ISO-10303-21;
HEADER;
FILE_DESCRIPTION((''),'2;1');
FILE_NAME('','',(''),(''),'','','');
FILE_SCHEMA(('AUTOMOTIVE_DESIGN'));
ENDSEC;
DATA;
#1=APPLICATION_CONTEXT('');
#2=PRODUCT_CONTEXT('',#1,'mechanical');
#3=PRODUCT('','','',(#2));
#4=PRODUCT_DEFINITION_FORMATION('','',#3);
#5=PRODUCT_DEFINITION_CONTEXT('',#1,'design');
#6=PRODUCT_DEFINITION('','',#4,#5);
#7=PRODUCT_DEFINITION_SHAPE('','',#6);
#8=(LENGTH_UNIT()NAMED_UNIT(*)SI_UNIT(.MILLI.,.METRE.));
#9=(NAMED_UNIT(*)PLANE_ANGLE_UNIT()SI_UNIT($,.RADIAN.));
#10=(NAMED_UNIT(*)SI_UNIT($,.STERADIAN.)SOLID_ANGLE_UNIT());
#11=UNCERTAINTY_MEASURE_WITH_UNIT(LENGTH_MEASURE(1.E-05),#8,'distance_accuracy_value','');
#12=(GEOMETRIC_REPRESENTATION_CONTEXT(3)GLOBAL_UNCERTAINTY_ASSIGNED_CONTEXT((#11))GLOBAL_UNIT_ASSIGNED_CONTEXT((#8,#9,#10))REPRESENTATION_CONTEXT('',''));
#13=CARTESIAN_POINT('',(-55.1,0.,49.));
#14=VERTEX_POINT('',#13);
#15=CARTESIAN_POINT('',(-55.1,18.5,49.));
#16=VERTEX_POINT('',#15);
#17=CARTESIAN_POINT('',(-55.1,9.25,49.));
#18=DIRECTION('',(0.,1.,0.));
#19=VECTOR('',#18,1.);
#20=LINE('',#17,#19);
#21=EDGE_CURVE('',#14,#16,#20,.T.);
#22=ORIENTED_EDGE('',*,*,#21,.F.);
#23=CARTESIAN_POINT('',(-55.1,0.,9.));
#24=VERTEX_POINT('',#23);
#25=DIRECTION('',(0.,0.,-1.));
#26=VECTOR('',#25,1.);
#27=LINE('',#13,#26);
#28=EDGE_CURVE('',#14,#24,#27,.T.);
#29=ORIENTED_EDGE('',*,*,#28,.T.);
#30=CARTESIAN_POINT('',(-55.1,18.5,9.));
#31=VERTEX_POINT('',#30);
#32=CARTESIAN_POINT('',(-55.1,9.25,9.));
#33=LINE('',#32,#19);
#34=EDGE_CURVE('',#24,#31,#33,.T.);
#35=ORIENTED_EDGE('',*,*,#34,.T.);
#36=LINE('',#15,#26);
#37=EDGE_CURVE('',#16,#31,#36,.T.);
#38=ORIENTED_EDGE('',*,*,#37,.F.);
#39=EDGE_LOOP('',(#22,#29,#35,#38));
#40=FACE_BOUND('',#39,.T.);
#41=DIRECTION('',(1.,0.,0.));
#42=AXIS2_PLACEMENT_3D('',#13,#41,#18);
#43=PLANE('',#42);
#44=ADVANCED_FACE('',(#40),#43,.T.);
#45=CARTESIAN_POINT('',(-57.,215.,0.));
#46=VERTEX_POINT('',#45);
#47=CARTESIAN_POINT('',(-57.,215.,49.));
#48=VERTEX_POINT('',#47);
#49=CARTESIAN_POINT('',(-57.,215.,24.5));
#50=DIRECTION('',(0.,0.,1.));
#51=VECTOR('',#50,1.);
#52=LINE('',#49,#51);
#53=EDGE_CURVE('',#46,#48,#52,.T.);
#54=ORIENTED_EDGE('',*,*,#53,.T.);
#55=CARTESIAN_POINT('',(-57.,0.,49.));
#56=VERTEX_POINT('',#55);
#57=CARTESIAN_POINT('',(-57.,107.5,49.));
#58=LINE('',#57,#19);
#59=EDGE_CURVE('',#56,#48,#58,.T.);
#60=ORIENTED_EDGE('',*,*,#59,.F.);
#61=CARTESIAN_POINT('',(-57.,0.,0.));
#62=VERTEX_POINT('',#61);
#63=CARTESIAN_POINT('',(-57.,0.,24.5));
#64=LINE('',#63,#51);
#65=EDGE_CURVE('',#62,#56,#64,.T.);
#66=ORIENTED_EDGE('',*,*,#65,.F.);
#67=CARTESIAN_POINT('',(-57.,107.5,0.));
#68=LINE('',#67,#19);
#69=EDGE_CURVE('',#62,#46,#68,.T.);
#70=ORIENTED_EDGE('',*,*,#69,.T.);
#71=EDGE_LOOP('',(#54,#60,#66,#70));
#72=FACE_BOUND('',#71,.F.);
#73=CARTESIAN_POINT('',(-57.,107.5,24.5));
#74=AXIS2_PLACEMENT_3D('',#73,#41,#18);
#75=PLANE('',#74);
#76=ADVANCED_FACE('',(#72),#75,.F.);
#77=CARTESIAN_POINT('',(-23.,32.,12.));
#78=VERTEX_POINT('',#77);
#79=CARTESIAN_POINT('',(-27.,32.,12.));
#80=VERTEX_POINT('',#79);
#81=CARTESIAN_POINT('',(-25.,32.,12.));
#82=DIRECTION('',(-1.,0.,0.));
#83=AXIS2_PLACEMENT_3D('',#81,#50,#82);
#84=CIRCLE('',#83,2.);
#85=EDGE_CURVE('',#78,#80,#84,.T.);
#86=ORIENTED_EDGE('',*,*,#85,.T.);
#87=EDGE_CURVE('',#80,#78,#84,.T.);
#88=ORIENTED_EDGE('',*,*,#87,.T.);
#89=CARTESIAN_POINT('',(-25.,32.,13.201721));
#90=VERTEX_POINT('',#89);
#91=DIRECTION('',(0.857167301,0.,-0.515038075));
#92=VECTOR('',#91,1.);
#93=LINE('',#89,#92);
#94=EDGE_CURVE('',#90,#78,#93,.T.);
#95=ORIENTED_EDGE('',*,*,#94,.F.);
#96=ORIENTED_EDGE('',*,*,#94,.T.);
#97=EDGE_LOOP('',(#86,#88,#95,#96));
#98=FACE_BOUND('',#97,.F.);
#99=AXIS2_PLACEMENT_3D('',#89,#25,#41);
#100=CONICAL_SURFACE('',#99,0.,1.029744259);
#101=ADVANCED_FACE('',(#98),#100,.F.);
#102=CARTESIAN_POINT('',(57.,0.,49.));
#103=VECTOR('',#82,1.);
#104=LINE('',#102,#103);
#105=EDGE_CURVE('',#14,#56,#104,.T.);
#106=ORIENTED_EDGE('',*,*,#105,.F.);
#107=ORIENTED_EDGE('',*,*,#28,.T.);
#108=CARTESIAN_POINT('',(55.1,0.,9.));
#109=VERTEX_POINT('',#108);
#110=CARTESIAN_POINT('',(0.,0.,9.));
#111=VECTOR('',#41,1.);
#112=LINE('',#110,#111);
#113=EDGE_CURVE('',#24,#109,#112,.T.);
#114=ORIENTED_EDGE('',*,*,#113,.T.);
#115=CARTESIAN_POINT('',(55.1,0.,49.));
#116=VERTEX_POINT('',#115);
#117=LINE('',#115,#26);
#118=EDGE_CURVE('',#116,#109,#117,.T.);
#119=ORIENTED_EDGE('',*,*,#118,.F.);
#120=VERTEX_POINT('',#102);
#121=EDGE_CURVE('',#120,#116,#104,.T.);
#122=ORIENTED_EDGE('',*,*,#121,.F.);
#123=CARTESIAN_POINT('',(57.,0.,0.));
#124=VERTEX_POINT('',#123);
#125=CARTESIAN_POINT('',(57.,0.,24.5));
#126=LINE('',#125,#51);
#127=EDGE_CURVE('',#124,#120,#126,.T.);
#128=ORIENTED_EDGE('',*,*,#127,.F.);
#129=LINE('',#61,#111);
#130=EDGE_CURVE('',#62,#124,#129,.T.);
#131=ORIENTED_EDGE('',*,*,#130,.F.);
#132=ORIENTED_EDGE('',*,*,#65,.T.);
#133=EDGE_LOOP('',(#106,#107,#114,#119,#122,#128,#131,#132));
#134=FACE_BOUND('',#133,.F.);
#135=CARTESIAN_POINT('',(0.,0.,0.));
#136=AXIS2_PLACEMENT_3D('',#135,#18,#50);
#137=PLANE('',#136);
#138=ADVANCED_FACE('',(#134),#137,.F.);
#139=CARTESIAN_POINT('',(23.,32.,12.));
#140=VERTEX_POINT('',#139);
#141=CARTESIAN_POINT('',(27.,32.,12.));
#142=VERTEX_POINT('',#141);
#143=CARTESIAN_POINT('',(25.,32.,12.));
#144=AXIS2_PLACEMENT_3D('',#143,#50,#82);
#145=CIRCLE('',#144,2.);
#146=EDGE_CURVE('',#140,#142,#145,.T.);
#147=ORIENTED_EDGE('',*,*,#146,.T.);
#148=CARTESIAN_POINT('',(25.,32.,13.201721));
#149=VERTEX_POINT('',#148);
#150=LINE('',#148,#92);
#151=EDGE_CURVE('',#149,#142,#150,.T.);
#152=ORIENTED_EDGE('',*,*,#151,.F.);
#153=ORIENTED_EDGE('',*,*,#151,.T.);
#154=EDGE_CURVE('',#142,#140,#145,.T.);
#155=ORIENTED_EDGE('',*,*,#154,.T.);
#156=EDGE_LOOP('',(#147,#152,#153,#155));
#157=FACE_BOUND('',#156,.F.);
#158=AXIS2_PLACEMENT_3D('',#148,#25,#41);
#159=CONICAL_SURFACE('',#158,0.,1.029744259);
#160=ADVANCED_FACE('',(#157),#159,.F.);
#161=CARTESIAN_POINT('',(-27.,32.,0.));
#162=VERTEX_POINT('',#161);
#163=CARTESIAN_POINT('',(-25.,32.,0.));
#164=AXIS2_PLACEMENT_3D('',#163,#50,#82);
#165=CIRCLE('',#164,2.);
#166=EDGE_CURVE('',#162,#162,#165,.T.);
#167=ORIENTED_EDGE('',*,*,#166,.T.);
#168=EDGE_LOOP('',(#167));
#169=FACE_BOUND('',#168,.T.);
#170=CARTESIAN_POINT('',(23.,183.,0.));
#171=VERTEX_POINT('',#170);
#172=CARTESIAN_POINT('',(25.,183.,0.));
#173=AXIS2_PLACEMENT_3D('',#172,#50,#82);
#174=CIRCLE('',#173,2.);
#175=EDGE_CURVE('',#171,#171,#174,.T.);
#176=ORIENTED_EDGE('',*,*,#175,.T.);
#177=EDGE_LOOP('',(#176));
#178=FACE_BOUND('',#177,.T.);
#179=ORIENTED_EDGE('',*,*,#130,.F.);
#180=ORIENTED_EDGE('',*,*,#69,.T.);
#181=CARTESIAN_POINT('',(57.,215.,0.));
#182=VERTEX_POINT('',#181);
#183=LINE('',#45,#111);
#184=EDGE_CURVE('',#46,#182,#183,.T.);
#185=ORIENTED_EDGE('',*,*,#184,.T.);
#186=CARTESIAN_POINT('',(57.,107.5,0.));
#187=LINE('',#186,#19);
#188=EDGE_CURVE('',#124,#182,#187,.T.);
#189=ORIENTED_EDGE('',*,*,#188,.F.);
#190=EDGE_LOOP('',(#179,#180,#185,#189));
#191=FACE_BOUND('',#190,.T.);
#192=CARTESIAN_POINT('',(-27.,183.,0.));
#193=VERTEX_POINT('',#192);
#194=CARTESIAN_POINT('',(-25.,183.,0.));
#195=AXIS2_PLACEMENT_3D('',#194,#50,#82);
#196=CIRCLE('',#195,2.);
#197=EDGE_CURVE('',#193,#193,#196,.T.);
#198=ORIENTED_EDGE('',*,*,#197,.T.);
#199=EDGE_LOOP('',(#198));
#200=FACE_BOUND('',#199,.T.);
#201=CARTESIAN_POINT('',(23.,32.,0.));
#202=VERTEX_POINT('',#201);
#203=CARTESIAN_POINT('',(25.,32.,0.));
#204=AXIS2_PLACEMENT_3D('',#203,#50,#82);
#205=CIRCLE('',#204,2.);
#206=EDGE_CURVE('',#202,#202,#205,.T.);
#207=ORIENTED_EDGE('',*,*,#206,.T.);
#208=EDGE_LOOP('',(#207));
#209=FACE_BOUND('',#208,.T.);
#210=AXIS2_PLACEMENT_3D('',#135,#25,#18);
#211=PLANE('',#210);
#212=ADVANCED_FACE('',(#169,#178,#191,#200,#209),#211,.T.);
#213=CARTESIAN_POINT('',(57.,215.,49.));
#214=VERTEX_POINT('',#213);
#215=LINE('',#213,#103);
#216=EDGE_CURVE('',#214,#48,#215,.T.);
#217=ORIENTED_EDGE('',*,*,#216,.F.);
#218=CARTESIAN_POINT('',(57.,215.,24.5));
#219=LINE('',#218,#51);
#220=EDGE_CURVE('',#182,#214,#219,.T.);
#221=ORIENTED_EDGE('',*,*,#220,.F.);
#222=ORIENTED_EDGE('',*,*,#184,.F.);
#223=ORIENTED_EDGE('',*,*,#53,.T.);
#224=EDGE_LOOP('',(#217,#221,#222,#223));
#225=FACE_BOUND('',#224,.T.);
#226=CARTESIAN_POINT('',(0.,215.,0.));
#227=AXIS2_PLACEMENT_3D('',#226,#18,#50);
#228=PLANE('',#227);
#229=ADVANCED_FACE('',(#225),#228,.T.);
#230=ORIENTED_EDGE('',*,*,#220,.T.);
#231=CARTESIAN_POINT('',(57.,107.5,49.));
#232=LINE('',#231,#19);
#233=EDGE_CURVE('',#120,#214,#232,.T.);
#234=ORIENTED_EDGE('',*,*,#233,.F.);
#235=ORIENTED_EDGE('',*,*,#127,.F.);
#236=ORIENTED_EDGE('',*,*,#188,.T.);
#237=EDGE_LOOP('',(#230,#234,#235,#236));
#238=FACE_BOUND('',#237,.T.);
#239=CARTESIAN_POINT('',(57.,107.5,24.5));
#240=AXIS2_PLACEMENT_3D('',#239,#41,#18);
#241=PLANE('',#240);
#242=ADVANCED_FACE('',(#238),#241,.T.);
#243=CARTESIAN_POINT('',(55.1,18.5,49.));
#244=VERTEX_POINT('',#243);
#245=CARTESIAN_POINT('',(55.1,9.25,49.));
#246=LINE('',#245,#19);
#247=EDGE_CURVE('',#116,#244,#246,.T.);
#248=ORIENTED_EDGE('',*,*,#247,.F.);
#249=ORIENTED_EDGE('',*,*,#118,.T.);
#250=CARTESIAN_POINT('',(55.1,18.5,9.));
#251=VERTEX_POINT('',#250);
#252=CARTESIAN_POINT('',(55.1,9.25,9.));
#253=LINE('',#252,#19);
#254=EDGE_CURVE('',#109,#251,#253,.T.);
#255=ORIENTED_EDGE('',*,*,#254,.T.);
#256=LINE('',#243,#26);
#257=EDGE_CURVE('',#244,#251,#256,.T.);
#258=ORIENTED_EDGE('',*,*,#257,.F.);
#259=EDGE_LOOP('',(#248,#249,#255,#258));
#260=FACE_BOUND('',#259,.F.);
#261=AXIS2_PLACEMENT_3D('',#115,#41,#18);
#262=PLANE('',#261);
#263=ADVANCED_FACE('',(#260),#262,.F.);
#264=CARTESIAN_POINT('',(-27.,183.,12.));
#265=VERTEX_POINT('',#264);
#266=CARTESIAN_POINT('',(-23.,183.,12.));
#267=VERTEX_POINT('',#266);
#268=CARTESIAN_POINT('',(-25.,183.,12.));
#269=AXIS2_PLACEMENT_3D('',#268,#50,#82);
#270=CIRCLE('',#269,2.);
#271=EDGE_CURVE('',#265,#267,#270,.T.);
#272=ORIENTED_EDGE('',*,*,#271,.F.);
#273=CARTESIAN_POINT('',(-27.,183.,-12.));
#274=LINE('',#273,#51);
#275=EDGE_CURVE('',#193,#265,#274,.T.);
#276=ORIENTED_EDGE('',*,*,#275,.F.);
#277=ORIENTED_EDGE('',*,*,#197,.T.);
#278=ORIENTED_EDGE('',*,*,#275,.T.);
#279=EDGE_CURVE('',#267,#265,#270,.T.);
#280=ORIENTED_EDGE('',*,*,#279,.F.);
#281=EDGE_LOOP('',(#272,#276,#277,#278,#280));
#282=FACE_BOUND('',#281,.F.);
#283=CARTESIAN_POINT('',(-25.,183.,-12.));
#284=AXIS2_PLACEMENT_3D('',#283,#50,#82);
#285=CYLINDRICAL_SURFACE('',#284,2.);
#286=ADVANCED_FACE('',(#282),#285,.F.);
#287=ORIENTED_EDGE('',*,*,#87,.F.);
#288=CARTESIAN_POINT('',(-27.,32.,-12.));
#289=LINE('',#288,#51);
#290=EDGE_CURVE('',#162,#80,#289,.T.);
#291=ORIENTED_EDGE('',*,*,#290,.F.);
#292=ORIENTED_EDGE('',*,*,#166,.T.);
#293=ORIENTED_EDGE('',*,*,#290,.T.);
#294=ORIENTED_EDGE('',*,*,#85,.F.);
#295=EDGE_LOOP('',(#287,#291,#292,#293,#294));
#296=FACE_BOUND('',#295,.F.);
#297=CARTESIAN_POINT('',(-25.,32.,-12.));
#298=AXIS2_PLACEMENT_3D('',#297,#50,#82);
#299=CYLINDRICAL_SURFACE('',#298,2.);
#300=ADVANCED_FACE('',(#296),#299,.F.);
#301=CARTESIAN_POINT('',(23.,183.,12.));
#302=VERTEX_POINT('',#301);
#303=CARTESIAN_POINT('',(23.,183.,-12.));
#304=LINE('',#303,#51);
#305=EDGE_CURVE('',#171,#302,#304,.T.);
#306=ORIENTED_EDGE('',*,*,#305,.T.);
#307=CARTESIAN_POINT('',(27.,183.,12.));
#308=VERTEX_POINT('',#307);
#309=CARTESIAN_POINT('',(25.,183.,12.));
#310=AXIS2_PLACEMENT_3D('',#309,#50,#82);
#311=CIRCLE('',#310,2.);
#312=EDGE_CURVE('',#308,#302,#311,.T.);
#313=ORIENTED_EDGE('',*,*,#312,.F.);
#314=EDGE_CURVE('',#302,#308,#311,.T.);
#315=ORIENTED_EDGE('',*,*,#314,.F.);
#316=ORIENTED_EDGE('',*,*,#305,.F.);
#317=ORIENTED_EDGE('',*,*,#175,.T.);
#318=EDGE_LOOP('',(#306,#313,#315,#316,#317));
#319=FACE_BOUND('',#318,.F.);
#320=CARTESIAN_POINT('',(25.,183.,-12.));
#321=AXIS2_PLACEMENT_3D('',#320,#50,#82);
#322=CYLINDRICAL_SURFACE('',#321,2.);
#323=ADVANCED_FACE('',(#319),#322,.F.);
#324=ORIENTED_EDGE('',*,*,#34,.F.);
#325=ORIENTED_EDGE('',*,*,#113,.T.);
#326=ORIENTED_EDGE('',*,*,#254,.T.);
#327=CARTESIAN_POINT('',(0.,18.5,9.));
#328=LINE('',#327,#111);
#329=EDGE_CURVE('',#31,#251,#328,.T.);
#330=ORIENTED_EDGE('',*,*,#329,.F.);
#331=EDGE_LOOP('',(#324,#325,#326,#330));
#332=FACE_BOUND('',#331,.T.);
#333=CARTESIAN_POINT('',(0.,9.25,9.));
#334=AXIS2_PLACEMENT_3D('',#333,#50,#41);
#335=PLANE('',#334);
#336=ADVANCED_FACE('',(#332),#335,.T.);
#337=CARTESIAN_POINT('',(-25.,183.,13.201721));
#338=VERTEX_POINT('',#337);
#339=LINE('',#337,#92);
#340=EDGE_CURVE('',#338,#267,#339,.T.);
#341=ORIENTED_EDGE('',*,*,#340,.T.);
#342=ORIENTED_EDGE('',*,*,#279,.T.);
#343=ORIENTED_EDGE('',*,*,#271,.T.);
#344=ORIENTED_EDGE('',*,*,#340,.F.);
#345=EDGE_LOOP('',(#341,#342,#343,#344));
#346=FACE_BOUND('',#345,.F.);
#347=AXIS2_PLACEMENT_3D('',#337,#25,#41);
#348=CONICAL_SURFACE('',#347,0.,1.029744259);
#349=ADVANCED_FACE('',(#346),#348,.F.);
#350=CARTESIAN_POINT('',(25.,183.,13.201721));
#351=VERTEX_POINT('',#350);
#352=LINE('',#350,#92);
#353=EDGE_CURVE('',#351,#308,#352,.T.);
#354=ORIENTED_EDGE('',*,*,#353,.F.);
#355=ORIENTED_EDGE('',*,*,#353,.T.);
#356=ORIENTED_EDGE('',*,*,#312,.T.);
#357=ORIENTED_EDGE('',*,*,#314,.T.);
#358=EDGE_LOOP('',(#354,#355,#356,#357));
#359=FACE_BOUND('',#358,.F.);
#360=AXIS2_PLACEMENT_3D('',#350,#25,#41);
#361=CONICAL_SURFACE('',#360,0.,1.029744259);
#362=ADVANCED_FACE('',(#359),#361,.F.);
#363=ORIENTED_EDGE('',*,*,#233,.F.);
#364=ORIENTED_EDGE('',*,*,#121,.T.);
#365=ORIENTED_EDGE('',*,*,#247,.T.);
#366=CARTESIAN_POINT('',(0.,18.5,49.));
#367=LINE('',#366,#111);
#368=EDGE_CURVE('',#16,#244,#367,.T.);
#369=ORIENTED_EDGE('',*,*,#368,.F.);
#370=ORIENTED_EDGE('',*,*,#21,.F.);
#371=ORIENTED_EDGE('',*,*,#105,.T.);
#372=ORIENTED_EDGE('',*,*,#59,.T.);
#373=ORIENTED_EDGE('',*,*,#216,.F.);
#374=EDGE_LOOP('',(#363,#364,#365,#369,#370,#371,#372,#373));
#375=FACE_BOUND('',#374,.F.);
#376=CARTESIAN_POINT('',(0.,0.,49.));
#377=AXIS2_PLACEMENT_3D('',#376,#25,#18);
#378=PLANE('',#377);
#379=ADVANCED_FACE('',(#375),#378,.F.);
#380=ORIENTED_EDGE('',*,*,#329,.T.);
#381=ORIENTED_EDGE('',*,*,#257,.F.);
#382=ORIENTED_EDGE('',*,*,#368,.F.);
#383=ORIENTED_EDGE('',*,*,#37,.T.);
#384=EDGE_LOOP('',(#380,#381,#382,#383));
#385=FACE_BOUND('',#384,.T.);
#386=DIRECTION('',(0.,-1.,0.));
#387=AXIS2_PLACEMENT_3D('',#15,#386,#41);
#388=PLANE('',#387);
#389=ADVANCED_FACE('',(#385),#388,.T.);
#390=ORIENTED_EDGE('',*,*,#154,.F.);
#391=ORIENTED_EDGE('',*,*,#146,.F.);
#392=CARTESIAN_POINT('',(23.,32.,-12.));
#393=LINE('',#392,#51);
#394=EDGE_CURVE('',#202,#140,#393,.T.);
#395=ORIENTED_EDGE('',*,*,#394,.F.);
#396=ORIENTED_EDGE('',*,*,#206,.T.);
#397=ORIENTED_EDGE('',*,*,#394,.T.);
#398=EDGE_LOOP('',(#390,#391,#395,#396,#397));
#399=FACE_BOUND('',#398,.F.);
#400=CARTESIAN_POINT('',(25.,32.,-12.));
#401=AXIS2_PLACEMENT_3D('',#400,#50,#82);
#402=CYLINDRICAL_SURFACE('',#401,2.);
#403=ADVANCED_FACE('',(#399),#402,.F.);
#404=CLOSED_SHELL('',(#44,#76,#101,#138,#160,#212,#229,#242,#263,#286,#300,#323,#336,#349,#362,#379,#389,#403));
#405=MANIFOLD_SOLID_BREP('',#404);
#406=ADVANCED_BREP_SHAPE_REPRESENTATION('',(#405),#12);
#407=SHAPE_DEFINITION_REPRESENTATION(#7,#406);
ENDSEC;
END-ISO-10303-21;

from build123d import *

# Parameters (mm, degrees)
F0_W     = 215
F0_H     = 49
F1_DEPTH = 57
F2_W     = 110.2
F2_H     = 18.5
F3_DEPTH = 40
F5_D     = 4
F5_DEPTH = 12
F5_TIP   = 1.2017212381


with BuildPart() as f1:
    # F0 (on Right) → F1 (new body, symmetric)
    with BuildSketch(Plane.YZ):
        with Locations((107.5, 24.5)):
            Rectangle(F0_W, F0_H)
    extrude(amount=F1_DEPTH, both=True)

    # F2 (on face) → F3 (cut)
    with BuildSketch(Plane.XY.offset(49)):
        with Locations((0, 9.25)):
            Rectangle(F2_W, F2_H)
    extrude(amount=-F3_DEPTH, mode=Mode.SUBTRACT)

    # F5
    with Locations(Plane(origin=(0, 0, 0), x_dir=(1, 0, 0), z_dir=(0, 0, -1))):
        with Locations((25, -32), (25, -183), (-25, -183), (-25, -32)):
            Hole(F5_D / 2, depth=F5_DEPTH)
            with Locations((0, 0, -(F5_DEPTH + F5_TIP / 2))):  # 118° drill point
                Cone(0, F5_D / 2, F5_TIP, mode=Mode.SUBTRACT)


solid = f1.part
